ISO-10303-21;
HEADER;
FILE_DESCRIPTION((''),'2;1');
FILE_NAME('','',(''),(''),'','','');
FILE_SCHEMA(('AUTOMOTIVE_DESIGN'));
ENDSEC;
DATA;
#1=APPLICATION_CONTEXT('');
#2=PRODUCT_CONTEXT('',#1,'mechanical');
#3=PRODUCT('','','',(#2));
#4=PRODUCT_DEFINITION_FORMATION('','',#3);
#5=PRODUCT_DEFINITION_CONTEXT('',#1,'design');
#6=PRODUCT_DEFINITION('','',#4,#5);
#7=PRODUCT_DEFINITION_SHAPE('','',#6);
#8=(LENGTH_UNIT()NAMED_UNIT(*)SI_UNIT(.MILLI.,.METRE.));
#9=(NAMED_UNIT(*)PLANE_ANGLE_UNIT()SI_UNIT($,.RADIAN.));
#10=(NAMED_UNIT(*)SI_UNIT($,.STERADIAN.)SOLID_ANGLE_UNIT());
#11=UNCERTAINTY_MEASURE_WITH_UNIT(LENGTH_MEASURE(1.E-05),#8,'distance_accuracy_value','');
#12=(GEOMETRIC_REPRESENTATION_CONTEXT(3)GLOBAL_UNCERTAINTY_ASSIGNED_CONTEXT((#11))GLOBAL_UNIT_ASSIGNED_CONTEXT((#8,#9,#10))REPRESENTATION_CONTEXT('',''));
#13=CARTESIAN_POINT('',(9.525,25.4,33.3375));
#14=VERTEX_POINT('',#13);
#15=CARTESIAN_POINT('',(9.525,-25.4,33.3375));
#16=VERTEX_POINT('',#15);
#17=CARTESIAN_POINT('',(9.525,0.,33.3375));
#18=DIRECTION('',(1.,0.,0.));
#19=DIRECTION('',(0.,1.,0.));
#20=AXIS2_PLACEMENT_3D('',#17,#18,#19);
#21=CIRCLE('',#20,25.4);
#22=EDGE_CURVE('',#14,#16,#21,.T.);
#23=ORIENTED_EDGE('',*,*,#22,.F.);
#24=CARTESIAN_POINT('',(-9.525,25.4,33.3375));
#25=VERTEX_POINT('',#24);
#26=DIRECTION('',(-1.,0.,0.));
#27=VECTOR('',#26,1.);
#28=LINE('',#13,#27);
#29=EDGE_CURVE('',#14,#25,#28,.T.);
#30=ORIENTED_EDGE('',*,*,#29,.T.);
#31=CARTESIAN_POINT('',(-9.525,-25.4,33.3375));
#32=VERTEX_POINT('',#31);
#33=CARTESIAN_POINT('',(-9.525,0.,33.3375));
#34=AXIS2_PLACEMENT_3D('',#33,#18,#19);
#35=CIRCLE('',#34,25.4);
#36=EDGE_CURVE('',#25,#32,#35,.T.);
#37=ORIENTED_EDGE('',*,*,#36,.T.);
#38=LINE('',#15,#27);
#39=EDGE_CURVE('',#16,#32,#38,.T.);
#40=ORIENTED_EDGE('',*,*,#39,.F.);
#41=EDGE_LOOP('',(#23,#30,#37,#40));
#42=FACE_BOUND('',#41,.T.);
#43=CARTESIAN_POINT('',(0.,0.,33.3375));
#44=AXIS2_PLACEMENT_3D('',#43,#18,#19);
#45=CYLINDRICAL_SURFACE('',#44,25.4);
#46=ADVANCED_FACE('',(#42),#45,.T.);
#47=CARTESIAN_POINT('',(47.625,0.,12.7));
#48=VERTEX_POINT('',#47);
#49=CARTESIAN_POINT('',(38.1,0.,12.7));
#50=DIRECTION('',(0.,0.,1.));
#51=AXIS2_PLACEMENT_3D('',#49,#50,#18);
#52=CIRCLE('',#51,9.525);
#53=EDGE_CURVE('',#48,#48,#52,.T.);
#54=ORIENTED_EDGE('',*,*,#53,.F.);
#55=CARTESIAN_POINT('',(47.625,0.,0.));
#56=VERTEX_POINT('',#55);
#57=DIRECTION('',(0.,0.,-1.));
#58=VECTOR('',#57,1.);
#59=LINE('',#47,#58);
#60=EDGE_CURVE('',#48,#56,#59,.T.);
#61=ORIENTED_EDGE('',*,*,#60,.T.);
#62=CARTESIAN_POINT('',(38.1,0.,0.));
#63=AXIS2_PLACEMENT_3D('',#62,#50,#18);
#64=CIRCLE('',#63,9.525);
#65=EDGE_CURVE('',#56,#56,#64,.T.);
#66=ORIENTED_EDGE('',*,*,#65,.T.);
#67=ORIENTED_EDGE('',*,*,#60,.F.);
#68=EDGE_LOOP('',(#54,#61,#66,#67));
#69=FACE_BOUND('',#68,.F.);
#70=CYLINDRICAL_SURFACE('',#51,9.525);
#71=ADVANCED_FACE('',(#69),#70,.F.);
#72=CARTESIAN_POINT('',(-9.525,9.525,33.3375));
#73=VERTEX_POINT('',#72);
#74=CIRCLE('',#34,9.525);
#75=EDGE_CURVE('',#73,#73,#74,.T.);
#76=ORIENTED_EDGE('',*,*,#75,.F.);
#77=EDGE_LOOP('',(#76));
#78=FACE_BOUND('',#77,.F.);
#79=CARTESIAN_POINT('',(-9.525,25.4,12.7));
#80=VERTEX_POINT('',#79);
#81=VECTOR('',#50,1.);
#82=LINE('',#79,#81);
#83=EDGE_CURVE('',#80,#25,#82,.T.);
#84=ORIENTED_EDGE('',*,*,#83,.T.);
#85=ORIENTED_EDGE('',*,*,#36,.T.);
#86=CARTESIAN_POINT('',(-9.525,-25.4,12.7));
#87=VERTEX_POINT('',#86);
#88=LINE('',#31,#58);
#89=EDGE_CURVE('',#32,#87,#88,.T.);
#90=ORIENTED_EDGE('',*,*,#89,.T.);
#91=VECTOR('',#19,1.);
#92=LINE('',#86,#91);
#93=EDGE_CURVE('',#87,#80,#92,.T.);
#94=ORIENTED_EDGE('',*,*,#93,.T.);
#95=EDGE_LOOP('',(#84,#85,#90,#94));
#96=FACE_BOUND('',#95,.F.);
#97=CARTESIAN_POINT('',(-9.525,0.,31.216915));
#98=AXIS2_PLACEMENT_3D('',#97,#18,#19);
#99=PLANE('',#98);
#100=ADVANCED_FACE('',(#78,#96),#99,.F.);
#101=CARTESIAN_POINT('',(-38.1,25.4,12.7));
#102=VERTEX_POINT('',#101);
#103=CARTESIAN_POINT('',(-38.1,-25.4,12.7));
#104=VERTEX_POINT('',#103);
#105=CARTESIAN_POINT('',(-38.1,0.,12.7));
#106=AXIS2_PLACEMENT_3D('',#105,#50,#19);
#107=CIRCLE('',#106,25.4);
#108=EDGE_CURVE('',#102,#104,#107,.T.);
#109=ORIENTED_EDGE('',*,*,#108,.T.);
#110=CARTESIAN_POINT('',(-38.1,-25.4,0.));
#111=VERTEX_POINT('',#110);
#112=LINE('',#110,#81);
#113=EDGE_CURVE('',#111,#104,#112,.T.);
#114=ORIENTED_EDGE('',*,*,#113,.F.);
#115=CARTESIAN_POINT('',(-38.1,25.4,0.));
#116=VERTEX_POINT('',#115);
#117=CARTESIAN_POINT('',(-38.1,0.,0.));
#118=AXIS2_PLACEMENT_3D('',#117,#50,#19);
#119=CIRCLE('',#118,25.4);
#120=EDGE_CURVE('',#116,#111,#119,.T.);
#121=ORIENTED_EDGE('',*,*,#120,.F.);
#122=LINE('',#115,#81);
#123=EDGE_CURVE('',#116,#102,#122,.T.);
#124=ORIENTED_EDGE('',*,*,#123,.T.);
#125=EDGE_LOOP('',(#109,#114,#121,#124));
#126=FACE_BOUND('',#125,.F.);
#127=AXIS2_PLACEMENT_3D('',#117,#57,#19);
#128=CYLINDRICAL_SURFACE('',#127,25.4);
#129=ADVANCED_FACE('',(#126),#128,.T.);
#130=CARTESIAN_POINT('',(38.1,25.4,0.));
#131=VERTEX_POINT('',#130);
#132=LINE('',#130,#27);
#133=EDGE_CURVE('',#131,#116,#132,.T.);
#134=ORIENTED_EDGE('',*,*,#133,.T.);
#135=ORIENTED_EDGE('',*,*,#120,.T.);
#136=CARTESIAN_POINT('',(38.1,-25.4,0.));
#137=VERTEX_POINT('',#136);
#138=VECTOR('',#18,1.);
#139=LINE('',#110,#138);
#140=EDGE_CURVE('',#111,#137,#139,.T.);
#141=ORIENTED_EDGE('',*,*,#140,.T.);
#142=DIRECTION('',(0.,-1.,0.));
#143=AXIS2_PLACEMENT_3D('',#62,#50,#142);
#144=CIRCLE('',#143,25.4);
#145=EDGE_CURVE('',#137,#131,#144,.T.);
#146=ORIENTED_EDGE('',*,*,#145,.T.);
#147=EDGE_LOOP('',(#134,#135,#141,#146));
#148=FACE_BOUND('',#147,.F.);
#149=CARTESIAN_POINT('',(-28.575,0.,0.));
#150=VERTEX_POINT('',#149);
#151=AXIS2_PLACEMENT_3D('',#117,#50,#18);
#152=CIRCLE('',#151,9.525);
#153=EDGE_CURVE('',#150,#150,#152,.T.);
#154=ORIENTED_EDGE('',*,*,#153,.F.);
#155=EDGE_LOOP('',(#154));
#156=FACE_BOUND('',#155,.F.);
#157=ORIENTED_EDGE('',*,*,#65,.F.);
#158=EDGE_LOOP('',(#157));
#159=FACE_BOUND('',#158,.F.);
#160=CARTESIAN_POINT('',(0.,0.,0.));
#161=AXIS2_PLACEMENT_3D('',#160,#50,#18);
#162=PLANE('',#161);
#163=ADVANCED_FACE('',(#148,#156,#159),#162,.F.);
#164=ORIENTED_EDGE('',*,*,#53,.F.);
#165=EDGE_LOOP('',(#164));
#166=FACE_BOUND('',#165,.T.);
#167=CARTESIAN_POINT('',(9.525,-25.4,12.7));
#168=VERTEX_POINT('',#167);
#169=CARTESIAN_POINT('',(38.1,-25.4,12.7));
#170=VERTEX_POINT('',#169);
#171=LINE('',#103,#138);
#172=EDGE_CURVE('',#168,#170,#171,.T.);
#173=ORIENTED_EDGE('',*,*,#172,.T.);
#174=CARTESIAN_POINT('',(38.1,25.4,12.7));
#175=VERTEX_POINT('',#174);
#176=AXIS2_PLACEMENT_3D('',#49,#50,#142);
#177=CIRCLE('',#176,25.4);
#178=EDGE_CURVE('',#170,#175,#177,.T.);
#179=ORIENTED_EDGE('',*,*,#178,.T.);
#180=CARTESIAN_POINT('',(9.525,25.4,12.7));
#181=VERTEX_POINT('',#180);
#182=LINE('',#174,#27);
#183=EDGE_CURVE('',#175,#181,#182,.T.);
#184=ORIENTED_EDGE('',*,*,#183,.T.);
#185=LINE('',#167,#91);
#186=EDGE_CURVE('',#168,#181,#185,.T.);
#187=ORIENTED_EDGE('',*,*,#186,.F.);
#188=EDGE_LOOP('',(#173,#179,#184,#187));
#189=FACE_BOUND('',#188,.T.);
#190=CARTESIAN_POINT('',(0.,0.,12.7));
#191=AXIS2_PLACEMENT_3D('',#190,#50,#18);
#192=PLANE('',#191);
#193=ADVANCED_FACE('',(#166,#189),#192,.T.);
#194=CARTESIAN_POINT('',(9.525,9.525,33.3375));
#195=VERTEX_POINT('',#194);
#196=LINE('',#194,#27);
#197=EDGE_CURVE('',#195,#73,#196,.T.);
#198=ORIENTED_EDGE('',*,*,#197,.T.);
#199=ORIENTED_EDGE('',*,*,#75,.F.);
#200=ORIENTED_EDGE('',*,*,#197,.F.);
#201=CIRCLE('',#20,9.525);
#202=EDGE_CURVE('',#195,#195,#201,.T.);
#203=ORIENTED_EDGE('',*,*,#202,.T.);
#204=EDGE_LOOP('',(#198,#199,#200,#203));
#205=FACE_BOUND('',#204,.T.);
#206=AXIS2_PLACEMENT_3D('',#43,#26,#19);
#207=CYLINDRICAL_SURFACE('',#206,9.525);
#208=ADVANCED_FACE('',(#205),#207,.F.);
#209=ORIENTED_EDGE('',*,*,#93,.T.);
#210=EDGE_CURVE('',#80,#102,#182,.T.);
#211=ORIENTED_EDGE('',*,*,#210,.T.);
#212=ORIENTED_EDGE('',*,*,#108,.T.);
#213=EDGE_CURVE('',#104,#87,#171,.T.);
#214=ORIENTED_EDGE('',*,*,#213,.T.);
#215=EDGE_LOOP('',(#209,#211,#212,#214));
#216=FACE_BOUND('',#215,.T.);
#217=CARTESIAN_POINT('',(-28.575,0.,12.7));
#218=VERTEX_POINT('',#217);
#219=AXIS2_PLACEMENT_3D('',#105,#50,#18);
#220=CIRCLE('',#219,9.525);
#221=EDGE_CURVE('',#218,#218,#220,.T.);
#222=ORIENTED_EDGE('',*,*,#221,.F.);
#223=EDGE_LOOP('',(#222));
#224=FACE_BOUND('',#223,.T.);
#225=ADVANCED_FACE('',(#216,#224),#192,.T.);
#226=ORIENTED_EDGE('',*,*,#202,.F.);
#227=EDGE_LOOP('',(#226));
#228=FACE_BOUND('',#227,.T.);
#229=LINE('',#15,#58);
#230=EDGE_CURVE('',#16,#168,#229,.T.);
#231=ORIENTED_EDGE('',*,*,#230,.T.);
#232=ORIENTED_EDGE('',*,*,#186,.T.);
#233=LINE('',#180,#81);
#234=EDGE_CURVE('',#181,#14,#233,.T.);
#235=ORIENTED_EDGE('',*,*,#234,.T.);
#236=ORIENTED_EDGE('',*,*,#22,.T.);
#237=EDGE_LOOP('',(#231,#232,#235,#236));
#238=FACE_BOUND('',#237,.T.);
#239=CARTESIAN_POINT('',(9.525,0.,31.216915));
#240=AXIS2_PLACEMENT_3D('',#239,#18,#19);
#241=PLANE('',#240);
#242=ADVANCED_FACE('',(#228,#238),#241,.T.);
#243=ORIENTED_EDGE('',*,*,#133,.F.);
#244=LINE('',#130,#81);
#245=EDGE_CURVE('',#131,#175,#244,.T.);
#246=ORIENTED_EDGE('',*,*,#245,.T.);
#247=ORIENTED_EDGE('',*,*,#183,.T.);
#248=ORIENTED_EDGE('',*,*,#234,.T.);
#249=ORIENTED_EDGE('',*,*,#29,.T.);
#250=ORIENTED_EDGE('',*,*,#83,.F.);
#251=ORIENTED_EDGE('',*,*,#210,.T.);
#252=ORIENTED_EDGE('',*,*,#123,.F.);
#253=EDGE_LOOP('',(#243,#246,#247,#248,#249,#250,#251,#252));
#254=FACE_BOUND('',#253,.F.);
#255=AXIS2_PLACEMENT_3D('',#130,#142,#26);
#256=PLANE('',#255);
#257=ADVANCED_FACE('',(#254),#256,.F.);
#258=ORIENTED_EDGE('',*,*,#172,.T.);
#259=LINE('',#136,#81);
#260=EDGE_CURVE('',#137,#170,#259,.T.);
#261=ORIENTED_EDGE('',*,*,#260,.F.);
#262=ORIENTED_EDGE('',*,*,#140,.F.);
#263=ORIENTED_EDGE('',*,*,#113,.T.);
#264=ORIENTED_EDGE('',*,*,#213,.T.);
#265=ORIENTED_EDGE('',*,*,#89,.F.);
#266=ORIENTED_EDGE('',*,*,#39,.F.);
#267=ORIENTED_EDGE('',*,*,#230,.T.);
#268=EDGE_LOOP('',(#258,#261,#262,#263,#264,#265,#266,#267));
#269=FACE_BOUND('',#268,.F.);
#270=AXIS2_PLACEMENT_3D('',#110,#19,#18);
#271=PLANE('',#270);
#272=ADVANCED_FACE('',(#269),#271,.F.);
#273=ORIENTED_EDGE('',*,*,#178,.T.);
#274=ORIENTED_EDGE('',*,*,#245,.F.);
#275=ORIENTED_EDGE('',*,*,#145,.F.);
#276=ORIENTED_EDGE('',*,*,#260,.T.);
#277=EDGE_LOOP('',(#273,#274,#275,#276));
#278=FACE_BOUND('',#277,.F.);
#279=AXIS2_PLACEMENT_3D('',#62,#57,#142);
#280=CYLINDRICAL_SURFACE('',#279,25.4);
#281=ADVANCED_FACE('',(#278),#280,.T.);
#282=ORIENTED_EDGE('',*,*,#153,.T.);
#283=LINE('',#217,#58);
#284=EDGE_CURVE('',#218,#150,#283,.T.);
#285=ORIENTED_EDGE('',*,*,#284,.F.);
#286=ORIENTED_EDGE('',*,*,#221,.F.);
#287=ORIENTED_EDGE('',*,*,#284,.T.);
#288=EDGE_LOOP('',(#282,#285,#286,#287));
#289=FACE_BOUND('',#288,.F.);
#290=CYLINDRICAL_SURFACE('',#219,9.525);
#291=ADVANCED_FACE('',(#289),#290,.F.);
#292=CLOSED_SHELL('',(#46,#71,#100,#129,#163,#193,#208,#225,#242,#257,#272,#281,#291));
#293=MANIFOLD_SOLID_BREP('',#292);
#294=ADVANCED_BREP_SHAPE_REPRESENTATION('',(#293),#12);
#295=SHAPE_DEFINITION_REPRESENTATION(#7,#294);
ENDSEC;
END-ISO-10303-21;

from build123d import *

# Parameters (mm, degrees)
F1_DEPTH = 12.7
F2_R     = 9.525
F3_DEPTH = 12.7
F4_R     = 9.525
F5_DEPTH = 9.525


with BuildPart() as f1:
    # F0 (on Top) → F1 (new body)
    with BuildSketch(Plane.XY):
        with BuildLine():
            ThreePointArc((-38.1, 25.4), (-63.5, 0), (-38.1, -25.4))
            Line((-38.1, -25.4), (38.1, -25.4))
            ThreePointArc((38.1, -25.4), (63.5, 0), (38.1, 25.4))
            Line((38.1, 25.4), (-38.1, 25.4))
        make_face()
    extrude(amount=F1_DEPTH)

    # F2 (on face) → F3 (cut)
    with BuildSketch(Plane.XY.offset(12.7)):
        with Locations((-38.1, 0)):
            Circle(F2_R)
        with Locations((38.1, 0)):
            Circle(F2_R)
    extrude(amount=-F3_DEPTH, mode=Mode.SUBTRACT)

    # F4 (on Right) → F5 (join, symmetric)
    with BuildSketch(Plane.YZ):
        with BuildLine():
            Line((-25.4, 33.3375), (-25.4, 12.7))
            Line((-25.4, 12.7), (25.4, 12.7))
            Line((25.4, 12.7), (25.4, 33.3375))
            ThreePointArc((25.4, 33.3375), (0, 58.7375), (-25.4, 33.3375))
        make_face()
        with Locations((0, 33.3375)):
            Circle(F4_R, mode=Mode.SUBTRACT)
    extrude(amount=F5_DEPTH, both=True)


solid = f1.part
